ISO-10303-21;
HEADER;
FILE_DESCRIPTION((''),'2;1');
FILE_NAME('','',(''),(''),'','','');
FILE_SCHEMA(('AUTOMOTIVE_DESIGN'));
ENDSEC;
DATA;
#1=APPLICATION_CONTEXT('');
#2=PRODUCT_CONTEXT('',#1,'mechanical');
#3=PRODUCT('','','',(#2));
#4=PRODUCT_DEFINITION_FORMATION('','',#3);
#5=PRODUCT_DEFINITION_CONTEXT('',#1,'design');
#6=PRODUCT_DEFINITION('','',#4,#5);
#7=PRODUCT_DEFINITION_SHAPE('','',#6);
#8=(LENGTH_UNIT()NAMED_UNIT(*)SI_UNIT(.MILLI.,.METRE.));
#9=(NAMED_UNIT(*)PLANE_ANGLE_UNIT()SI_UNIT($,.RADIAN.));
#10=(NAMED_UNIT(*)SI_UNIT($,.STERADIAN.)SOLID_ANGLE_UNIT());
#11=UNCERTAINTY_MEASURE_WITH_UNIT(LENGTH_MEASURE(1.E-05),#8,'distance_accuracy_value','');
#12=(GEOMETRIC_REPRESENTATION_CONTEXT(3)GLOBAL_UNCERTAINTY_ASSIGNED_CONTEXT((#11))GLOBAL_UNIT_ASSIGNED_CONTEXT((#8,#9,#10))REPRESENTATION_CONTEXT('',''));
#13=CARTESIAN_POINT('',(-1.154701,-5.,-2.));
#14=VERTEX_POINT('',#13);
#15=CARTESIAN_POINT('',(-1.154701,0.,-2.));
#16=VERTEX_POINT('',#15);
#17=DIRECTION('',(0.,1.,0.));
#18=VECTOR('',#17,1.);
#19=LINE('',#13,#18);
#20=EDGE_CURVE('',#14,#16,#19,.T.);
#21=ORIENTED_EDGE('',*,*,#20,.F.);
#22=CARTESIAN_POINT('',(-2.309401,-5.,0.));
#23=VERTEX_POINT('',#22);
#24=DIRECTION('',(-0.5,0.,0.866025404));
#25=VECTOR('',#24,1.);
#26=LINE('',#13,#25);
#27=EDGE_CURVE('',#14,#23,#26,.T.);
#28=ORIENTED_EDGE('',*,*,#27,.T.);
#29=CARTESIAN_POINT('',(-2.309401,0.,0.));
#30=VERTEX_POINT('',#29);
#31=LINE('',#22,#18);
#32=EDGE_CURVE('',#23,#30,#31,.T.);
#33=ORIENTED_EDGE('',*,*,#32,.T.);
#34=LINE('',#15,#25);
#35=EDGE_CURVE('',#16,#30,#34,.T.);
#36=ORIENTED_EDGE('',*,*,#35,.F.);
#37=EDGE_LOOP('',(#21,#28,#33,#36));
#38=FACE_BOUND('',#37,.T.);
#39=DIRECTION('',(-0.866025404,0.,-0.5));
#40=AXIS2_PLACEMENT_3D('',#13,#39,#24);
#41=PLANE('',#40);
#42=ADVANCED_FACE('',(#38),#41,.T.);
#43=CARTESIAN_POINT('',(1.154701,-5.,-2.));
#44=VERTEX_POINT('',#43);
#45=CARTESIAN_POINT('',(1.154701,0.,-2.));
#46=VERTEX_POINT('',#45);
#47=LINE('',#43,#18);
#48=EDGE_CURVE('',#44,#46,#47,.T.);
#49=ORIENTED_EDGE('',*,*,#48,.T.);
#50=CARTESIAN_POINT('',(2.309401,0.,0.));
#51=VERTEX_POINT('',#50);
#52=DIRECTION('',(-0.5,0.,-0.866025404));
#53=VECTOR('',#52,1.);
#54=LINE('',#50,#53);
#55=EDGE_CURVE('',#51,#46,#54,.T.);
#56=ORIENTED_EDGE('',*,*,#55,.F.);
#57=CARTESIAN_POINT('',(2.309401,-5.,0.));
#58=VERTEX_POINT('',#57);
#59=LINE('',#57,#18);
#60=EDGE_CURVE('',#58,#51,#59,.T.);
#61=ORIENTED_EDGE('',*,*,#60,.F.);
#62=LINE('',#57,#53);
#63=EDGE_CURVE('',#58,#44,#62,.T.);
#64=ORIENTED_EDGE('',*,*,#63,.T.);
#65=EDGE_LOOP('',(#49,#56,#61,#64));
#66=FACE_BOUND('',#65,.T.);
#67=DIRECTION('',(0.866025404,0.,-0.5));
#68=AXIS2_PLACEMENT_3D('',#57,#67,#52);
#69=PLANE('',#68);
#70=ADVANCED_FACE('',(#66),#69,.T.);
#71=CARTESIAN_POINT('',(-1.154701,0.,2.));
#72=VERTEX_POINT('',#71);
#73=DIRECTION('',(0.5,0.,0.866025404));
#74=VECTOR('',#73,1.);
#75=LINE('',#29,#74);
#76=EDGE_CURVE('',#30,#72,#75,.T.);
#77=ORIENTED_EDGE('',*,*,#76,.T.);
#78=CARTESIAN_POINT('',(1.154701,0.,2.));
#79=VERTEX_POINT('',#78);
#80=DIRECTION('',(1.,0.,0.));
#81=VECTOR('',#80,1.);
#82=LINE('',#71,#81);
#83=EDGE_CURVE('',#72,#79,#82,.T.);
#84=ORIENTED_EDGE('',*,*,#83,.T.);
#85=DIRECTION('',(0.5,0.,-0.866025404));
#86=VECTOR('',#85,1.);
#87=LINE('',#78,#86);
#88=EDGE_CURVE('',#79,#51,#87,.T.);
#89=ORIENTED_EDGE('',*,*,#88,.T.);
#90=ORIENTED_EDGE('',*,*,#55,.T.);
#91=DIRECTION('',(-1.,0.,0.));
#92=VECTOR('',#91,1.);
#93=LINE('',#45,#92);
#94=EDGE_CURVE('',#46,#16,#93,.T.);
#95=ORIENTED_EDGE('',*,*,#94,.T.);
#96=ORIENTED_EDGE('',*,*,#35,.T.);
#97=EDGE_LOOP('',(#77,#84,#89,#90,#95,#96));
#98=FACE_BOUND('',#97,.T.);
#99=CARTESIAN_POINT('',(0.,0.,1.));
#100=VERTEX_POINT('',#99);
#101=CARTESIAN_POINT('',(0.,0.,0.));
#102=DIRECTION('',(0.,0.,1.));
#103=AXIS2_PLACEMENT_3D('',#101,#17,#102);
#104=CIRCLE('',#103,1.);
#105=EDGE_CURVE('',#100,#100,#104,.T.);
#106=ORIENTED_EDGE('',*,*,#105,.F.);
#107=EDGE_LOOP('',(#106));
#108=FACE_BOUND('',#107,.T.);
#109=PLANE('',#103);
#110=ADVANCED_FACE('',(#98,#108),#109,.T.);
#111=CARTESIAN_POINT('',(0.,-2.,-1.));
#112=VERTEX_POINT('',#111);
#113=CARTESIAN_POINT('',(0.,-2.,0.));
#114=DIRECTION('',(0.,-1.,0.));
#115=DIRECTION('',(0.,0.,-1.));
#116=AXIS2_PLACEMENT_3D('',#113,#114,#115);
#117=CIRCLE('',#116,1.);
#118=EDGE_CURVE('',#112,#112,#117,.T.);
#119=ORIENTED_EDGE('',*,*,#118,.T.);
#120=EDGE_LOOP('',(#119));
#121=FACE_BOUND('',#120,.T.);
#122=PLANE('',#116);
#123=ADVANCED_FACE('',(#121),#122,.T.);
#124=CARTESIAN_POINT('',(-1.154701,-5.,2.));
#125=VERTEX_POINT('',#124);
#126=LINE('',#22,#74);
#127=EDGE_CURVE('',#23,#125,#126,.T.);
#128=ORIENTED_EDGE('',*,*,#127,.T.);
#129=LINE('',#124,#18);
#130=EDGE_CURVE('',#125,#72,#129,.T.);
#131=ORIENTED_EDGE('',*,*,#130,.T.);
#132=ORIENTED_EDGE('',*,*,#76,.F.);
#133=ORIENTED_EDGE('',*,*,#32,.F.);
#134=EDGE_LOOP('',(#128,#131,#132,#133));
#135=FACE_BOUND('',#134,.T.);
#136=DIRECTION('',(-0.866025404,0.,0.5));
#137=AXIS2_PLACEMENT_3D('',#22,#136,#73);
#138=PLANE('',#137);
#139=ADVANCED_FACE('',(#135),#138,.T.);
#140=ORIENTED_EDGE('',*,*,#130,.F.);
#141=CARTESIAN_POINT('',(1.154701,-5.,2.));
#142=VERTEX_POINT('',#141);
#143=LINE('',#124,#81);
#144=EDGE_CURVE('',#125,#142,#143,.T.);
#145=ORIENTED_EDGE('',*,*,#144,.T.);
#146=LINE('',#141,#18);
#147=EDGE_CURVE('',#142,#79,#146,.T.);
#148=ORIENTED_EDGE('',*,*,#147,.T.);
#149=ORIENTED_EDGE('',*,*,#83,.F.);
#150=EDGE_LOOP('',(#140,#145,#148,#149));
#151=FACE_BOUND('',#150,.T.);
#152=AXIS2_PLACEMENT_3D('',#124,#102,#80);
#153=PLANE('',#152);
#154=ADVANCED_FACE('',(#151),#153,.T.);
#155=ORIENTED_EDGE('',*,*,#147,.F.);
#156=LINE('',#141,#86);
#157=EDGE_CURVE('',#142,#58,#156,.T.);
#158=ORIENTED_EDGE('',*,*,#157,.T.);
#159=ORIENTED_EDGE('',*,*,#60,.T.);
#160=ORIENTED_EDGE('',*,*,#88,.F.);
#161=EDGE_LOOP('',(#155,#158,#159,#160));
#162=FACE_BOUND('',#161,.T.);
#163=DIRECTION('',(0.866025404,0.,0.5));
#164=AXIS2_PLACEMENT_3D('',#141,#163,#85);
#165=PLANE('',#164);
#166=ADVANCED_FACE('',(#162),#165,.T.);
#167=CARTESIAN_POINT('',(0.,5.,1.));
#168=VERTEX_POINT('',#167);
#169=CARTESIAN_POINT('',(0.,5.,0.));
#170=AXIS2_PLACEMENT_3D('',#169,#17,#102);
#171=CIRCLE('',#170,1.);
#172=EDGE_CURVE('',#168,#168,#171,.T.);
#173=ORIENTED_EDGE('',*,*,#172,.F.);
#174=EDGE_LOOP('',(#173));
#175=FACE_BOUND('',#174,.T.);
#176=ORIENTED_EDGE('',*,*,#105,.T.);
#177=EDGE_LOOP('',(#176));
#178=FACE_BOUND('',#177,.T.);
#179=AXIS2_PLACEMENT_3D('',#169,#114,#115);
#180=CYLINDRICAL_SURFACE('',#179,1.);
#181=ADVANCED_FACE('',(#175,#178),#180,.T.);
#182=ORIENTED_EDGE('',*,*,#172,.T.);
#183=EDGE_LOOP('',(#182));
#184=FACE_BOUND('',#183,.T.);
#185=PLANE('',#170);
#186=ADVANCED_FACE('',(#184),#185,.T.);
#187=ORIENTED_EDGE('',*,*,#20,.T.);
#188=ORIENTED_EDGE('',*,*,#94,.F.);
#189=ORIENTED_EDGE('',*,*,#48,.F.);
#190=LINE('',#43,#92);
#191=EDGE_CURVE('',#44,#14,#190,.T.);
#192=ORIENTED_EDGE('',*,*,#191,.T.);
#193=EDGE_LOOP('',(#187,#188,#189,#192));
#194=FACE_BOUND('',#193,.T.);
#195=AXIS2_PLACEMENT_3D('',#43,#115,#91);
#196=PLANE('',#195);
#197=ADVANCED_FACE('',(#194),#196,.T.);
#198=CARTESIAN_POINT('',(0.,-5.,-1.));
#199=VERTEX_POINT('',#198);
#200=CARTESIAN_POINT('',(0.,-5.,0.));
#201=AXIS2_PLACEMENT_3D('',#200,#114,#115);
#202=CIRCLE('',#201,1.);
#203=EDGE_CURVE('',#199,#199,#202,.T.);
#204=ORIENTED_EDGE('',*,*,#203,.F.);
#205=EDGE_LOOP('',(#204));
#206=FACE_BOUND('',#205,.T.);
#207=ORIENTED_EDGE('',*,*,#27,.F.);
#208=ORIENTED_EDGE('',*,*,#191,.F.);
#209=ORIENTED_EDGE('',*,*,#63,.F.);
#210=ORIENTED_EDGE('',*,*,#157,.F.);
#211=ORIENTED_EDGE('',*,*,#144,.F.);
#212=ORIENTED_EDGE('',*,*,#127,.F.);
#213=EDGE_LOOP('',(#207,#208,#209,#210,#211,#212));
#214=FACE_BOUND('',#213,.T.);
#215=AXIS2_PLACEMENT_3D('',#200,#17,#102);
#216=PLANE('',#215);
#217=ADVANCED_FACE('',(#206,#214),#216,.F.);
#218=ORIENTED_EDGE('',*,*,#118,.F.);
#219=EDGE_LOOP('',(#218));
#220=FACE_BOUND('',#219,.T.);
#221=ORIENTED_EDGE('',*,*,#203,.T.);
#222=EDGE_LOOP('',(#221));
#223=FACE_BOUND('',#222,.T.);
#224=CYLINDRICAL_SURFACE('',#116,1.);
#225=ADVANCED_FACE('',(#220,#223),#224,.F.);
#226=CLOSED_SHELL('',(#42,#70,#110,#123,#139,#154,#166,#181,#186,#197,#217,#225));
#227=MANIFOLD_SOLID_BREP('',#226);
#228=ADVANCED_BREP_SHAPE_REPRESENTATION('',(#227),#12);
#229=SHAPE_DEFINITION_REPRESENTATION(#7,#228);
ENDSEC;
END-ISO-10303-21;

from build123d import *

# Parameters (mm, degrees)
SKETCH1_R           = 1
BOSS_EXTRUDE1_DEPTH = 5
BOSS_EXTRUDE2_DEPTH = 5
SKETCH3_R           = 1
CUT_EXTRUDE1_DEPTH  = 3


with BuildPart() as part:
    # Sketch1 → Boss-Extrude1 (new body)
    with BuildSketch(Plane(origin=(0, 0, 0), x_dir=(1, 0, 0), z_dir=(0, 1, 0))):
        with Locations(Location((0, 0, 0), (0, 0, 270))):
            Circle(SKETCH1_R)
    extrude(amount=BOSS_EXTRUDE1_DEPTH)

    # Sketch2 → Boss-Extrude2 (add)
    with BuildSketch(Plane(origin=(0, 0, 0), x_dir=(1, 0, 0), z_dir=(0, 1, 0))):
        Polygon((2.309401077, 0), (1.154700538, 2), (-1.154700538, 2), (-2.309401077, 0), (-1.154700538, -2), (1.154700538, -2), align=None)
    extrude(amount=-BOSS_EXTRUDE2_DEPTH)

    # Sketch3 → Cut-Extrude1 (cut)
    with BuildSketch(Plane.XZ.offset(5)):
        with Locations(Location((0, 0, 0), (0, 0, 90))):
            Circle(SKETCH3_R)
    extrude(amount=-CUT_EXTRUDE1_DEPTH, mode=Mode.SUBTRACT)


solid = part.part
